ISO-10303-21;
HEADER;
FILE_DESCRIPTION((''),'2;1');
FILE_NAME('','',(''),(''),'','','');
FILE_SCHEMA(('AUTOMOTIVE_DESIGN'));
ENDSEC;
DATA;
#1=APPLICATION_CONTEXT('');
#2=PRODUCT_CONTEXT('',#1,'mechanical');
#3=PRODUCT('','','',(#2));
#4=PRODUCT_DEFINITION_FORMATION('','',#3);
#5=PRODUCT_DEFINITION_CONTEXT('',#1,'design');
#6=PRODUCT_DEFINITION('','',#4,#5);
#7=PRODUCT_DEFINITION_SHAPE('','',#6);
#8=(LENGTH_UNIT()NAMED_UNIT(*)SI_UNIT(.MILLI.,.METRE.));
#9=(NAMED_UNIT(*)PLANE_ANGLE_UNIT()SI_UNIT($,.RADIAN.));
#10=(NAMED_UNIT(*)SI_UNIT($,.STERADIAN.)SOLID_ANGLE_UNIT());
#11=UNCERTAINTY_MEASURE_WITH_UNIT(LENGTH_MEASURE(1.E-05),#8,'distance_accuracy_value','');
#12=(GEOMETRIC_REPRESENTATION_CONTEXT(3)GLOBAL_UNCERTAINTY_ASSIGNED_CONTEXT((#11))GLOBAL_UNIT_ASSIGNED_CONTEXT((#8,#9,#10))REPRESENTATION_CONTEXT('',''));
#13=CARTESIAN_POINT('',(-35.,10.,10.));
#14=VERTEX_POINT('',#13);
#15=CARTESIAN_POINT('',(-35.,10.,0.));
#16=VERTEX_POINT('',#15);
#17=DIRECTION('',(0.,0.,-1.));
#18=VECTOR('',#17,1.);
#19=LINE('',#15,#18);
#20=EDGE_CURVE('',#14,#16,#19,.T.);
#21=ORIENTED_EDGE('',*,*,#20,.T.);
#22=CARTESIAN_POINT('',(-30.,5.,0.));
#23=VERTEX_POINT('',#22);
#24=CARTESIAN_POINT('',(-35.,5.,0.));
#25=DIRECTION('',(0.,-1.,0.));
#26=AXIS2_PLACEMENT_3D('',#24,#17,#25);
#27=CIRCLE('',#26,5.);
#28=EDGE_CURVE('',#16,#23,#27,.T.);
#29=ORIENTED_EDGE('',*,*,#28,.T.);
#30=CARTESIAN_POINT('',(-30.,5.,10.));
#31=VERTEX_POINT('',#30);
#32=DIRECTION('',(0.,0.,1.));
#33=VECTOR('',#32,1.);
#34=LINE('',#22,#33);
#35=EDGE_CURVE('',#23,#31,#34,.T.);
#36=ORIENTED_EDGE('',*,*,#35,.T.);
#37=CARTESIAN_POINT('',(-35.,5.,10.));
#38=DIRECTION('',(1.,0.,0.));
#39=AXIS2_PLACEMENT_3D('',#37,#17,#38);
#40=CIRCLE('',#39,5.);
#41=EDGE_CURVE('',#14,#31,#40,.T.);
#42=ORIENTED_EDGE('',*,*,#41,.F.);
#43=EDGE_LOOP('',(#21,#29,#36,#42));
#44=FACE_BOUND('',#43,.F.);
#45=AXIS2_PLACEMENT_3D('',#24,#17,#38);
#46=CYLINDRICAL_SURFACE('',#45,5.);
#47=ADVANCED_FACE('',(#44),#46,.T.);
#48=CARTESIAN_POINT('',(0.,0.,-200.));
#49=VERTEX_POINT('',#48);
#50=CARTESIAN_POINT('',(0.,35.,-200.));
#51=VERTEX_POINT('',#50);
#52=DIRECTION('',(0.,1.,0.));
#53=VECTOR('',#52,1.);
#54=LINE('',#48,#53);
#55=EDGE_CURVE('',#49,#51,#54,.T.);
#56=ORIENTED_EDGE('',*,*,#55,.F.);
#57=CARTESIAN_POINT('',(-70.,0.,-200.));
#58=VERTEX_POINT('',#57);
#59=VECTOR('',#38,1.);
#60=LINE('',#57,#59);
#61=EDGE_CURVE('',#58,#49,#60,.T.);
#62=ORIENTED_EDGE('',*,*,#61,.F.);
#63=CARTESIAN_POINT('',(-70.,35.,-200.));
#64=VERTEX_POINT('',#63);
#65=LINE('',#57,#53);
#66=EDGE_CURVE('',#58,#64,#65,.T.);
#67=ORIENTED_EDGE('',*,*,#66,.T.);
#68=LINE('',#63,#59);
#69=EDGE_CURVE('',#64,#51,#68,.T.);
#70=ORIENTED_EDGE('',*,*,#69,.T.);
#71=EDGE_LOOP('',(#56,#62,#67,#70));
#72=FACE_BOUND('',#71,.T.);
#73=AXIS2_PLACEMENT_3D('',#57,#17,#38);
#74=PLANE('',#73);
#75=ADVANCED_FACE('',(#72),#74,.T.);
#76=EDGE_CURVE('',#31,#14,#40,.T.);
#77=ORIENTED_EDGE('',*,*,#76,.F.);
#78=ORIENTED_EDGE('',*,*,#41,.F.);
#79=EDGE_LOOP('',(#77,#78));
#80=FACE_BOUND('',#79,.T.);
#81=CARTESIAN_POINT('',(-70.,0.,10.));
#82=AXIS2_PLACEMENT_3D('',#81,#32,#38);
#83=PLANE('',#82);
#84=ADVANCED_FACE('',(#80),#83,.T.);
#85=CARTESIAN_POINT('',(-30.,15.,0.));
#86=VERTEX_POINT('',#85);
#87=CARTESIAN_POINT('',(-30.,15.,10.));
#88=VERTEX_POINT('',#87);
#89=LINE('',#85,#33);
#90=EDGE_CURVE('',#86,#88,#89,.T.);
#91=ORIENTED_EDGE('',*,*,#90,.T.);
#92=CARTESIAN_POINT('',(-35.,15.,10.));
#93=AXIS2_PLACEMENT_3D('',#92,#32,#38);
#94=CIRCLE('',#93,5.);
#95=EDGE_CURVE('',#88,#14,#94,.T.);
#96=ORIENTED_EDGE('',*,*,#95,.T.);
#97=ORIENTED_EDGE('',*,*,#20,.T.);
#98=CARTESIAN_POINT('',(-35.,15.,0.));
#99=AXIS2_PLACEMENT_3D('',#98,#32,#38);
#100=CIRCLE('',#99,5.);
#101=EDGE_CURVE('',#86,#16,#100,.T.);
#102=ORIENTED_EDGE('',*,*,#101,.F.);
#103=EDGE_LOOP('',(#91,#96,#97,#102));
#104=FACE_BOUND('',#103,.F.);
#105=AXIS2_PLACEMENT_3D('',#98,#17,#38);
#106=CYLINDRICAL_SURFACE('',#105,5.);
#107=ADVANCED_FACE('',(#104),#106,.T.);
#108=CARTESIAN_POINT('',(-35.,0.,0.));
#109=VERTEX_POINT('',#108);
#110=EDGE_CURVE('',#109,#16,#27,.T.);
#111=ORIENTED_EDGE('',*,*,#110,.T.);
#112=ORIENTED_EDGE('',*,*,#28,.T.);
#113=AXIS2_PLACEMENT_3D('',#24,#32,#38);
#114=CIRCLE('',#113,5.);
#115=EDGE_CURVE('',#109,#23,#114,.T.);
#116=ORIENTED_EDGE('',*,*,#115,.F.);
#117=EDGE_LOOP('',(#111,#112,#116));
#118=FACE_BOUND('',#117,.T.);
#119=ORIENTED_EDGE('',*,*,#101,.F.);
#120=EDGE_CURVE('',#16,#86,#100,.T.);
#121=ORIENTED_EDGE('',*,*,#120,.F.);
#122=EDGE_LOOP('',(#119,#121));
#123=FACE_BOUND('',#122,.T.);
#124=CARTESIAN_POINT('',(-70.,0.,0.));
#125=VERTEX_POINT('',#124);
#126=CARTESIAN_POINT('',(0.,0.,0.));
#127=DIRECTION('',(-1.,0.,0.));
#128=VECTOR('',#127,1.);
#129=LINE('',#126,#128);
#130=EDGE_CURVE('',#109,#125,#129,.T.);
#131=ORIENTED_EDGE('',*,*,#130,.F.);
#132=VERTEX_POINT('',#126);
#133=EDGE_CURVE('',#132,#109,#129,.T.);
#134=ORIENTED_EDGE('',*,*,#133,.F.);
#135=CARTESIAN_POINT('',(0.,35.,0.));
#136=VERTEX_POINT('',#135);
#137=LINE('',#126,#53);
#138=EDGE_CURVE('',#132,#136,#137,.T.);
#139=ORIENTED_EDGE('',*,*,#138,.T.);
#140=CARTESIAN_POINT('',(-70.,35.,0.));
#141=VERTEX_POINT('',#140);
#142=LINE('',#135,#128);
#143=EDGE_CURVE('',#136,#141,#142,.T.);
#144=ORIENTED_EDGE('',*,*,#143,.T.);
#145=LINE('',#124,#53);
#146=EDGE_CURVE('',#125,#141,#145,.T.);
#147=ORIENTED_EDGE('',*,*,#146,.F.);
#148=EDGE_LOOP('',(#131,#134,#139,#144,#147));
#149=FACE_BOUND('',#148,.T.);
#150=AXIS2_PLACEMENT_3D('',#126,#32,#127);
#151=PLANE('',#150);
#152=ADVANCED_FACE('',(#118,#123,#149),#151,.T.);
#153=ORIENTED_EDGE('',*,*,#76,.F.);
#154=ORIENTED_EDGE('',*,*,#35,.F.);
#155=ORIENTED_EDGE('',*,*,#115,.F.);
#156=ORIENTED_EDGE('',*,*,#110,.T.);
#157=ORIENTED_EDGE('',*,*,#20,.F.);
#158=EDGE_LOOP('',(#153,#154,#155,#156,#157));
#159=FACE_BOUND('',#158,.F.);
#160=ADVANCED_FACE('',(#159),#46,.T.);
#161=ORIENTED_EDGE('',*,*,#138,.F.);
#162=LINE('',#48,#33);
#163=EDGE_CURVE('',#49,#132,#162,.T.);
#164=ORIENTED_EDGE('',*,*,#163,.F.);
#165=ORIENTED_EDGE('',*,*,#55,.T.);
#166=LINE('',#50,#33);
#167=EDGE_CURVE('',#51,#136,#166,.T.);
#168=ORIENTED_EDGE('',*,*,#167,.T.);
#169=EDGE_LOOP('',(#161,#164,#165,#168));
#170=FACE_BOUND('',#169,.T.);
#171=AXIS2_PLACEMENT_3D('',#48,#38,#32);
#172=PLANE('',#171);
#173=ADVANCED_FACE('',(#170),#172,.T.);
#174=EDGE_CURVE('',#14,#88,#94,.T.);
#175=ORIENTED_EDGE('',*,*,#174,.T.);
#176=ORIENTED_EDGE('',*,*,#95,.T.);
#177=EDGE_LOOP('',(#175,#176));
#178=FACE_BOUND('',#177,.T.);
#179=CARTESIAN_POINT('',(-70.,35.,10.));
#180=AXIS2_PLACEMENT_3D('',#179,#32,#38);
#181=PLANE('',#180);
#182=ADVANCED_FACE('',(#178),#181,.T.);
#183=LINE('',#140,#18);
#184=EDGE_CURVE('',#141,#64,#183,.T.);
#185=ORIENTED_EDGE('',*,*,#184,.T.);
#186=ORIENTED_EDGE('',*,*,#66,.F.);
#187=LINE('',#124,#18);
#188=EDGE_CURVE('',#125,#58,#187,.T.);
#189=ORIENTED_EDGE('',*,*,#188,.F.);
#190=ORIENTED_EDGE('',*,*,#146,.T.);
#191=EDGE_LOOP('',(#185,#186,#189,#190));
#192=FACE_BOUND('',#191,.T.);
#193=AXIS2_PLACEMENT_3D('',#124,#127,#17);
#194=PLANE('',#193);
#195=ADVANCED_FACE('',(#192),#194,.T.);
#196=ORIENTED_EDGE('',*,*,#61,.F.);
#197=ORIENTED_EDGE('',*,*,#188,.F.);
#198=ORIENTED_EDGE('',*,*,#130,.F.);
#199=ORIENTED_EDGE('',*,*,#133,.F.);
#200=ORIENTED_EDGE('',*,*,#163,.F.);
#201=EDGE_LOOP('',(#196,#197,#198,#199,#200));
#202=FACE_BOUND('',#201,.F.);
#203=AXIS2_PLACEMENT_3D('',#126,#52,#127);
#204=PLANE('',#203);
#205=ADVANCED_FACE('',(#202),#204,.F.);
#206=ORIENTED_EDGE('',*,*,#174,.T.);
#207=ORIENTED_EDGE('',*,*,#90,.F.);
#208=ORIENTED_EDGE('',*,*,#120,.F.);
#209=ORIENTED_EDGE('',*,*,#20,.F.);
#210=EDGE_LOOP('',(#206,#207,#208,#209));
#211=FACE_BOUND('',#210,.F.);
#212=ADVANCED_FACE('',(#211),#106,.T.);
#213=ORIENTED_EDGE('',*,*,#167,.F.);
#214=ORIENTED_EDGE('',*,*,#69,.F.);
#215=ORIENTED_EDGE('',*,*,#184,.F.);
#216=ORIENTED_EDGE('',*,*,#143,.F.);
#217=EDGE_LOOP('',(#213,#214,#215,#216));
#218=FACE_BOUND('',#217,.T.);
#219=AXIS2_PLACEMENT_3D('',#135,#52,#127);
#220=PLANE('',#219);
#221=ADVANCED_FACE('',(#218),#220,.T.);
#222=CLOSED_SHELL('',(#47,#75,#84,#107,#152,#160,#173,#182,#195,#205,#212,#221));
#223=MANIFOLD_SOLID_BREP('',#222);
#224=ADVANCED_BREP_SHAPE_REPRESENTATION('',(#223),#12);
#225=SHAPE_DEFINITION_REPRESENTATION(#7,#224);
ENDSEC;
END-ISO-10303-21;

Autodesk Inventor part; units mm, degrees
ref_plane "YZ Plane" through (0, 0, 0) normal (1, 0, 0) x (0, 1, 0)
ref_plane "XZ Plane" through (0, 0, 0) normal (0, 1, 0) x (-1, 0, 0)
ref_plane "XY Plane" through (0, 0, 0) normal (0, 0, 1) x (1, 0, 0)
sketch "Sketch1" plane through (0, 0, 0) normal (0, 1, 0) x (-1, 0, 0)
  line L0 (0, 0) -> (70, 0)
  line L1 (70, 0) -> (70, -200)
  line L2 (70, -200) -> (0, -200)
  line L3 (0, -200) -> (0, 0)
  dimension "d0" = 70
  dimension "d1" = 200
extrude "Extrusion1" add sketch "Sketch1" along normal blind 35
sketch "Sketch2" plane through (-70, 0, 0) normal (0, 0, 1) x (1, 0, 0)
  point P0 (70, 0)
sketch "Sketch3" plane through (-70, 0, 0) normal (0, 0, 1) x (1, 0, 0)
  circle A0 centre (35, 5) radius 5
  circle A1 centre (35, 15) radius 5
  line L0 (70, 0) -> (70, 35) projected
  line L1 (0, 0) -> (70, 0) projected
  point P0 (70, 17.5)
  dimension "d4" = 10
  dimension "d5" = 10
  dimension "d6" = 35
  dimension "d7" = 35
  dimension "d8" = 10
  dimension "d9" = 5
extrude "Extrusion2" add sketch "Sketch3" along normal blind 10 contours A0
sketch "Sketch4" plane through (-70, 35, 0) normal (0, 0, 1) x (1, 0, 0)
  circle A0 centre (35, -20) radius 5
  line L0 (35, -35) -> (70, -35) projected
  line L1 (70, -35) -> (70, 0) projected
  dimension "d12" = 10
  dimension "d13" = 15
  dimension "d14" = 35
extrude "Extrusion3" add sketch "Sketch4" along normal blind 10
properties part number "water tank mm"
